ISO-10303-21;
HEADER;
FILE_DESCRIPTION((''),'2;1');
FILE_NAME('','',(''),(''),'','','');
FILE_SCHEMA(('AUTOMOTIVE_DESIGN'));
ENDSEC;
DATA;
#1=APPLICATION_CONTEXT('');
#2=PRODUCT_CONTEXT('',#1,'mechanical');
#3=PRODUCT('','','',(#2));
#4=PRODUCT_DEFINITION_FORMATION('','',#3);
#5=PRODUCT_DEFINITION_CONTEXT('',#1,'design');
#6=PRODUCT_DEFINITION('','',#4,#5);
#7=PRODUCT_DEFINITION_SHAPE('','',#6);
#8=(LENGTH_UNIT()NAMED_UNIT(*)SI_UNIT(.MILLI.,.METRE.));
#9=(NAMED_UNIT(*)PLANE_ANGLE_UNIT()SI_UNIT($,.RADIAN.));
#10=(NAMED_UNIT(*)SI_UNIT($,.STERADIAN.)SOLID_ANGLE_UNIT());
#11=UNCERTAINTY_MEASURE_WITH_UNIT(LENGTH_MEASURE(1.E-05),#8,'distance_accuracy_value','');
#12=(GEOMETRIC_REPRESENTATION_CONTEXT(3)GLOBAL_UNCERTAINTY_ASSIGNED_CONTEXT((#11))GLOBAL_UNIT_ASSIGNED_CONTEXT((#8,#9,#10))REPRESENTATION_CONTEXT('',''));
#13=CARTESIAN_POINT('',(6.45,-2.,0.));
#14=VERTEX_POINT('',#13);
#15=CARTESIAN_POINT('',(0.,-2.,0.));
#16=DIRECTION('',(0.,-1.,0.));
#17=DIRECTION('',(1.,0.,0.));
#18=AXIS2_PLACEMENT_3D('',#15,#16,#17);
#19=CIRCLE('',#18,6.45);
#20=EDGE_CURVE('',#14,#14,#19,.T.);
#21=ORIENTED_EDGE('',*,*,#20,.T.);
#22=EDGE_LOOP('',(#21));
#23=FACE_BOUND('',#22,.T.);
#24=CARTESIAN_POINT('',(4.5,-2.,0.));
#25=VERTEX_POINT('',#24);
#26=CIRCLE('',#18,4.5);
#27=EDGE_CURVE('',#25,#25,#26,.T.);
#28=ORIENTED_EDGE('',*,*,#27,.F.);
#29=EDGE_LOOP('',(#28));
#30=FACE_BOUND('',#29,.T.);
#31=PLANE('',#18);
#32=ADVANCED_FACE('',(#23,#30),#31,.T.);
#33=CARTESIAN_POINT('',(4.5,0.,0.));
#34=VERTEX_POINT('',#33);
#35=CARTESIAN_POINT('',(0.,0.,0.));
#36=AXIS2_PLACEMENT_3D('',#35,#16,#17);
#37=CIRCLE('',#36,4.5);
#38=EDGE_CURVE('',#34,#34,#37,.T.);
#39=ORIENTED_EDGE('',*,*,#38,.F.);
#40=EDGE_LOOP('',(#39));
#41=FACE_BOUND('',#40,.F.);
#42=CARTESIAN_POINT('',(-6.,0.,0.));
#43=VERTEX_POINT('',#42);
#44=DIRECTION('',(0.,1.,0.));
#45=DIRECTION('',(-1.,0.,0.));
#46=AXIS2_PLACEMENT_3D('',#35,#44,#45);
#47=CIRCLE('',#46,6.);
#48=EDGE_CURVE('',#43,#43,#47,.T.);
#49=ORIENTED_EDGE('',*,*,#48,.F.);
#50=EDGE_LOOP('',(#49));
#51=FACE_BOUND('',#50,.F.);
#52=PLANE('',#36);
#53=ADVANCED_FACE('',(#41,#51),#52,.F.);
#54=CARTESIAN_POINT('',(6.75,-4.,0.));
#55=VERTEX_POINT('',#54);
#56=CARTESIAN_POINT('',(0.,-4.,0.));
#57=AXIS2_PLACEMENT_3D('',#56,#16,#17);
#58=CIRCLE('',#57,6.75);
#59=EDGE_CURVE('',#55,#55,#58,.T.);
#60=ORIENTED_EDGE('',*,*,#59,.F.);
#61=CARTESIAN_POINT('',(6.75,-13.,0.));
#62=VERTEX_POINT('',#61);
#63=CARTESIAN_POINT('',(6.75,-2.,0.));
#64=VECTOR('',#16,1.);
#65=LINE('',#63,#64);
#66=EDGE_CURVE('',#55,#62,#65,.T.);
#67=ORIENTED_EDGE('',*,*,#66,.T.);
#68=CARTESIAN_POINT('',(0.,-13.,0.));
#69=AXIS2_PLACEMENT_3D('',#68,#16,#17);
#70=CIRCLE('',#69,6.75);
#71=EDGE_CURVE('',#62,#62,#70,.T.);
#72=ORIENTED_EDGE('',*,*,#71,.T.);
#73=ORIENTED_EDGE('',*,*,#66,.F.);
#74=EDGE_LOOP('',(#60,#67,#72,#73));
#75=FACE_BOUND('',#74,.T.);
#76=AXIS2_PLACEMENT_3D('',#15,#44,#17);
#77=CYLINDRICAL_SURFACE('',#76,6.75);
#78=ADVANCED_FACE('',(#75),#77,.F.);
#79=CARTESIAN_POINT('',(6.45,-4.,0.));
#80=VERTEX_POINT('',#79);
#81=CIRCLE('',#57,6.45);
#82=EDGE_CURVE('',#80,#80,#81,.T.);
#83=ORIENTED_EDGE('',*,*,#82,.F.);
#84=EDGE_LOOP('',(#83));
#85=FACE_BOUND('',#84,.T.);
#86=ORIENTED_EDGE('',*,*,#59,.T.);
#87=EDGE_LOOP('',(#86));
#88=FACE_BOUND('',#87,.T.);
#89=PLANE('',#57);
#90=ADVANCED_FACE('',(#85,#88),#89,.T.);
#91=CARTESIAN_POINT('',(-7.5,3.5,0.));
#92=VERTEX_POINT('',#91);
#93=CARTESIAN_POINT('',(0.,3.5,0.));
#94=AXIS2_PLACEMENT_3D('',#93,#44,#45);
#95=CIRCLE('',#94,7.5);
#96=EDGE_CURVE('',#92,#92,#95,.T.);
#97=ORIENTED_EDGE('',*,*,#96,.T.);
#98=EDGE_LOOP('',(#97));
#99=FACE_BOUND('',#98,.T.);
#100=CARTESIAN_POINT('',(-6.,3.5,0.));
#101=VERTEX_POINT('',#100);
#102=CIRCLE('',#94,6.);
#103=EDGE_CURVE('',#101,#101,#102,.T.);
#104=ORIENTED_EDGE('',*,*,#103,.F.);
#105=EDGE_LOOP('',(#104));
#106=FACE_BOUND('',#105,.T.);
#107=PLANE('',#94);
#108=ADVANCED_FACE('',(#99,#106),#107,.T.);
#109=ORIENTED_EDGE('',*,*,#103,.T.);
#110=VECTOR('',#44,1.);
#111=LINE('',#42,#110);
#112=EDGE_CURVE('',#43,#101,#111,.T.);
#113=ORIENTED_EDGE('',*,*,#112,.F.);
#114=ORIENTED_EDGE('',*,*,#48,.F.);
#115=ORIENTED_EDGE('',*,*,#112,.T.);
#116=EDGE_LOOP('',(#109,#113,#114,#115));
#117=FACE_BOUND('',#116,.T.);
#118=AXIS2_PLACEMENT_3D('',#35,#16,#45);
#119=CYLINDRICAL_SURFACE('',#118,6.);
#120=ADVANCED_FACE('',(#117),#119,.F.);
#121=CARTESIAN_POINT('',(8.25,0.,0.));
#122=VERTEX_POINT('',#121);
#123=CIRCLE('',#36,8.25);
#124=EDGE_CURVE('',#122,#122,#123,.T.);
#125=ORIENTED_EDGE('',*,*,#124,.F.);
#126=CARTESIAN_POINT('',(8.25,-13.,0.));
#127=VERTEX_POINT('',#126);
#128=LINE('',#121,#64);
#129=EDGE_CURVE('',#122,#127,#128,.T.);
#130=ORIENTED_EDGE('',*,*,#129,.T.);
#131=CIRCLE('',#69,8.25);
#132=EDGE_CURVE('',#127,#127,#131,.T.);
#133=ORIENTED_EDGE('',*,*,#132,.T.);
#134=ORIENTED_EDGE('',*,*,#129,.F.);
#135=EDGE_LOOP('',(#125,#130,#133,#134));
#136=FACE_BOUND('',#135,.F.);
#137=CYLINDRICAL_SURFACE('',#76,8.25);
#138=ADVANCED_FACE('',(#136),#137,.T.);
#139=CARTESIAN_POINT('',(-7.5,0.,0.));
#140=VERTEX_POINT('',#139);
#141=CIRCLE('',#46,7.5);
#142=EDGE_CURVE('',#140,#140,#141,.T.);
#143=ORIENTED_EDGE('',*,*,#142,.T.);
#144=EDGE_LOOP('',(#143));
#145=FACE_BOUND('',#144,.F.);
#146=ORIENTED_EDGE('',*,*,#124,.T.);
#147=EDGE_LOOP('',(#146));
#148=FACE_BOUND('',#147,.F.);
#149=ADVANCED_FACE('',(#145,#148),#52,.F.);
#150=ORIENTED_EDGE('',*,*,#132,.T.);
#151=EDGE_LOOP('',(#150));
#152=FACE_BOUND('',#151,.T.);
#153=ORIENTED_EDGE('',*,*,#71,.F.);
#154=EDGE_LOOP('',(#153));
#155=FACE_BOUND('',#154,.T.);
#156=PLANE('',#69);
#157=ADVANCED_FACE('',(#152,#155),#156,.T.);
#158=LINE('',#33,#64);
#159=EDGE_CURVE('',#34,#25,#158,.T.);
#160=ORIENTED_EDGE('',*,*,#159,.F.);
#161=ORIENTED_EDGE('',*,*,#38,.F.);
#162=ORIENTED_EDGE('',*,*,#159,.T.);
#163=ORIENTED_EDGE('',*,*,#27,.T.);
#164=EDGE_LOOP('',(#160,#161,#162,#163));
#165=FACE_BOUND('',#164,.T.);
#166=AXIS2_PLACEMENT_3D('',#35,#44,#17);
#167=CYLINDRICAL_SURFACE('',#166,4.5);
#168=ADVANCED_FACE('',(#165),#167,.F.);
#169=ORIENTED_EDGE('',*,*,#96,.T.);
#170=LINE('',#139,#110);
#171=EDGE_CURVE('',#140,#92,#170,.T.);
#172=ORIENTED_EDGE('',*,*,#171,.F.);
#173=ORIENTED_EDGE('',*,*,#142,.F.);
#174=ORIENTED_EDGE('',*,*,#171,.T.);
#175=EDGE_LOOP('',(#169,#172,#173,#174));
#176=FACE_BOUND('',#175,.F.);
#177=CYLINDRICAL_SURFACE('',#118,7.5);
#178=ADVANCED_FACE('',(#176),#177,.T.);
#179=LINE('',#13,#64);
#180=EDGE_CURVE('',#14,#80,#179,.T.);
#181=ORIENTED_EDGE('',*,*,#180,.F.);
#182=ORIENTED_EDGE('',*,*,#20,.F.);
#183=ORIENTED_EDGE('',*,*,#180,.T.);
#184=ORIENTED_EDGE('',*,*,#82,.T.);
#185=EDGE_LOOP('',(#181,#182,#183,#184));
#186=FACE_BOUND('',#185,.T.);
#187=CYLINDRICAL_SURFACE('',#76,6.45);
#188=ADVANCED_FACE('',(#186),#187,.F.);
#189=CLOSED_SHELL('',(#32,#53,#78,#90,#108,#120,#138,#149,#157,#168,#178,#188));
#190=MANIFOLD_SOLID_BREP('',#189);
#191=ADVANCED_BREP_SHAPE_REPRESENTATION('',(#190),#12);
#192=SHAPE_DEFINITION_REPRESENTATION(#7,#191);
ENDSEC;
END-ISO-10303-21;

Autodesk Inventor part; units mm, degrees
ref_plane "YZ Plane" through (0, 0, 0) normal (1, 0, 0) x (0, 1, 0)
ref_plane "XZ Plane" through (0, 0, 0) normal (0, 1, 0) x (-1, 0, 0)
ref_plane "XY Plane" through (0, 0, 0) normal (0, 0, 1) x (1, 0, 0)
sketch "Sketch1" plane through (0, 0, 0) normal (0, 1, 0) x (-1, 0, 0)
  circle A0 centre (0, 0) radius 6
  circle A1 centre (0, 0) radius 7.5
  dimension "d0" = 12
  dimension "d1" = 15
extrude "Extrusion1" add sketch "Sketch1" along normal blind 3.5
sketch "Sketch2" plane through (0, 0, 0) normal (0, -1, 0) x (1, 0, 0)
  circle A0 centre (0, 0) radius 4.5
  circle A1 centre (0, 0) radius 8.25
  dimension "d4" = 9
  dimension "d5" = 16.5
extrude "Extrusion2" add sketch "Sketch2" along normal blind 2
sketch "Sketch3" plane through (0, -2, 0) normal (0, -1, 0) x (1, 0, 0)
  circle A0 centre (0, 0) radius 6.75
  circle A1 centre (0, 0) radius 8.25 projected
  circle A2 centre (0, 0) radius 8.25
  dimension "d8" = 13.5
  dimension "d9" = 16.5
extrude "Extrusion3" add sketch "Sketch3" along normal blind 11
sketch "Sketch4" plane through (0, -13, 0) normal (0, -1, 0) x (1, 0, 0)
  point P0 (0, 0)
sketch "Sketch9" plane through (0, -2, 0) normal (0, -1, 0) x (1, 0, 0)
  circle A0 centre (0, 0) radius 6.45
  circle A1 centre (0, 0) radius 6.75
  dimension "d54" = 12.9
  dimension "d55" = 13.5
extrude "Extrusion4" add sketch "Sketch9" along normal blind 2
thread "Thread4" size "M12x0.5" class "6H" standard "ISO Metric profile" full length
thread "Thread5" size "M14x0.5" class "6H" standard "ISO Metric profile" length 9
equation "\"d25\" = 60deg"
equation "\"Sketch5_Pitch\" = 0.5"
equation "\"d43\" = 60deg"
equation "\"Sketch7_Pitch\" = 0.5"
properties part number "holder2"
